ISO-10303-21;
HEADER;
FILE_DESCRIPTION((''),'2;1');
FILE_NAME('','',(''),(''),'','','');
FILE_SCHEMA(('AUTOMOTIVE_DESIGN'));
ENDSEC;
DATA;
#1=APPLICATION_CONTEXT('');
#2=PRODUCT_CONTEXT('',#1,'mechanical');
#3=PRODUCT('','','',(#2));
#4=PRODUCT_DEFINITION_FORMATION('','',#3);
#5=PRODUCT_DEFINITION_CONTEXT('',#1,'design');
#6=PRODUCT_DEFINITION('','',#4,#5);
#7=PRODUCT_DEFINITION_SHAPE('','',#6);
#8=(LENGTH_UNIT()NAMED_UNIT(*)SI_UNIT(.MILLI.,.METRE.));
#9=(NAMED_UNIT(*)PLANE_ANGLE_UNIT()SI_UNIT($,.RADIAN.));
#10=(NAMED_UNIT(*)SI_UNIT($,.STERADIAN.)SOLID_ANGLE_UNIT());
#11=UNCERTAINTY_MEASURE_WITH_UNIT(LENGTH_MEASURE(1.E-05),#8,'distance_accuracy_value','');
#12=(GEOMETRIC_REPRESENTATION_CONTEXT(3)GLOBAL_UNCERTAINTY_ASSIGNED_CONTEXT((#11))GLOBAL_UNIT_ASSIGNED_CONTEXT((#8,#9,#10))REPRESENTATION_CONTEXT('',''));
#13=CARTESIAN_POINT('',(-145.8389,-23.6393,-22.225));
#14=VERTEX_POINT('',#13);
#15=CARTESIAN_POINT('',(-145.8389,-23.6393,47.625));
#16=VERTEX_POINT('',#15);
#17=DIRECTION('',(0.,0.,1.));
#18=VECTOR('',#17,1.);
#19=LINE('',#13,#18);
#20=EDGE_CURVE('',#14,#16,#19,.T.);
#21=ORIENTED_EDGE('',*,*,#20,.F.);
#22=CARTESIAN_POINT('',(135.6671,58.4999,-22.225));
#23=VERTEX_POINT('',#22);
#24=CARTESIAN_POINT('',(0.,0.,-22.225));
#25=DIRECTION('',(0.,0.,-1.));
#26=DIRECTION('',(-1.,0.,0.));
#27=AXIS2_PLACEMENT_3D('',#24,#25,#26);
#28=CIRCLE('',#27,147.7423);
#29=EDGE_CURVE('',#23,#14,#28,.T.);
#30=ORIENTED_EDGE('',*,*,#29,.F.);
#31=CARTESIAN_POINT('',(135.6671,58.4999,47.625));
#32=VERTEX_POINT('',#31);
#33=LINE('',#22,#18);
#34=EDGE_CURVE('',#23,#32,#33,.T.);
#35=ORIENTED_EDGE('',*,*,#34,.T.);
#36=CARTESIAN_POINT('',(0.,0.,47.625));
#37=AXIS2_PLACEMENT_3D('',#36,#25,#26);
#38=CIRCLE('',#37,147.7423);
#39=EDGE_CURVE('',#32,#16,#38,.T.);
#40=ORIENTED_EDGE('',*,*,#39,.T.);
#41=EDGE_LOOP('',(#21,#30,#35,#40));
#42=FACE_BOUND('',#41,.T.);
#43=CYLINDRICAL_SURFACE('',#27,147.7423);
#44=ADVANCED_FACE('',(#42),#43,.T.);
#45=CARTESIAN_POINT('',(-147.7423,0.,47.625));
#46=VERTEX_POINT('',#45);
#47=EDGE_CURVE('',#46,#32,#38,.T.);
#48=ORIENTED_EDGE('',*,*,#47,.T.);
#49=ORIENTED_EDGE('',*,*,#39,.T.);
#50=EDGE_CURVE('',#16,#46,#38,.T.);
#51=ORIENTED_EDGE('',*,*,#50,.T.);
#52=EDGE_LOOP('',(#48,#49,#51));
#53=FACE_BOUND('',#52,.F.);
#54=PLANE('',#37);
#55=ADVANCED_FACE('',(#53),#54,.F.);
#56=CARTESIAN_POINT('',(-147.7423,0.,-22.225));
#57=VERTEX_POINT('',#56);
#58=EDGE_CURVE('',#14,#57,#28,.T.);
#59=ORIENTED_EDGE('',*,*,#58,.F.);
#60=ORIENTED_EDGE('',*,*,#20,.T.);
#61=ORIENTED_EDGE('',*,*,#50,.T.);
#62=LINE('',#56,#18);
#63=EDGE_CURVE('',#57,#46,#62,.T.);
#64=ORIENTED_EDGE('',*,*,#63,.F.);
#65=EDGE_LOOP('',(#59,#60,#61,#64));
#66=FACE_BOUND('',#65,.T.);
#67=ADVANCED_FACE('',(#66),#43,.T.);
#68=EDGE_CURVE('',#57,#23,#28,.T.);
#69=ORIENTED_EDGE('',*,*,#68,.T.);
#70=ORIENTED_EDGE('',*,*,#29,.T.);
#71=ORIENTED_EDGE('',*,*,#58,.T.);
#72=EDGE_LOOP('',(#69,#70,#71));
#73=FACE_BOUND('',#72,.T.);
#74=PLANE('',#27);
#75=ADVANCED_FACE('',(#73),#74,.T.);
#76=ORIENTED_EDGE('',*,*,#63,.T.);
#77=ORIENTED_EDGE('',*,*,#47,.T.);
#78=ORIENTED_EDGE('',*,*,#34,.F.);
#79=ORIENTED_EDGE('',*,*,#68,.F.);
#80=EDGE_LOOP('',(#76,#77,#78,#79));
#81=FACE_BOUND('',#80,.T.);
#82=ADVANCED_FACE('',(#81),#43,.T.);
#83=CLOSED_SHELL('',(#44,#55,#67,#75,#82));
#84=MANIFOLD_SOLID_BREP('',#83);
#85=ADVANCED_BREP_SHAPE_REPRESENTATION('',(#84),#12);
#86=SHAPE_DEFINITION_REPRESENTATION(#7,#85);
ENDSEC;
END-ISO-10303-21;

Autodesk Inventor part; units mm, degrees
ref_plane "YZ Plane" through (0, 0, 0) normal (1, 0, 0) x (0, 1, 0)
ref_plane "XZ Plane" through (0, 0, 0) normal (0, 1, 0) x (-1, 0, 0)
ref_plane "XY Plane" through (0, 0, 0) normal (0, 0, 1) x (1, 0, 0)
ref_plane "Work Plane1" through (0, 0, -22.225) normal (0, 0, -1) x (-1, 0, 0)
sketch "Sketch1" plane through (0, 0, -22.225) normal (0, 0, -1) x (-1, 0, 0)
  circle A0 centre (0, 0) radius 147.7423
  line L0 (-195.8977, 76.0742) -> (209.6694, -42.264) construction
  line L1 (-135.6671, 58.4999) -> (-156.0013, 64.4331)
  line L2 (145.8389, -23.6393) -> (172.5523, -31.4338)
  spline S0 degree 4 poles (172.5523, -31.4338) (140.9678, -94.0342) (87.7269, -139.1397) (42.503, -532.8542) (106.3521, -649.2807) (-71.9897, -724.9701) (-159.0807, -904.7553) (-144.6629, -558.7296) (9.1793, -307.9814) (-251.8742, 36.1589) (-156.0013, 64.4331) knots 0 0 0 0 0 0.234794 0.337139 0.431337 0.509169 0.603759 0.711438 1 1 1 1 1
  point P0 (132.692, -105.4544)
  point P1 (82.1143, -291.7082)
  point P2 (74.7064, -566.2438)
  point P3 (60.1104, -648.5122)
  point P4 (-68.3151, -757.5844)
  point P5 (-135.6671, -823.4486)
  point P6 (-145.8342, -757.5844)
  point P7 (-162.8106, -64.6717)
  point P8 (-93.8112, -446.8219)
extrude "Extrusion1" add sketch "Sketch1" against normal blind 69.85 contours A0
